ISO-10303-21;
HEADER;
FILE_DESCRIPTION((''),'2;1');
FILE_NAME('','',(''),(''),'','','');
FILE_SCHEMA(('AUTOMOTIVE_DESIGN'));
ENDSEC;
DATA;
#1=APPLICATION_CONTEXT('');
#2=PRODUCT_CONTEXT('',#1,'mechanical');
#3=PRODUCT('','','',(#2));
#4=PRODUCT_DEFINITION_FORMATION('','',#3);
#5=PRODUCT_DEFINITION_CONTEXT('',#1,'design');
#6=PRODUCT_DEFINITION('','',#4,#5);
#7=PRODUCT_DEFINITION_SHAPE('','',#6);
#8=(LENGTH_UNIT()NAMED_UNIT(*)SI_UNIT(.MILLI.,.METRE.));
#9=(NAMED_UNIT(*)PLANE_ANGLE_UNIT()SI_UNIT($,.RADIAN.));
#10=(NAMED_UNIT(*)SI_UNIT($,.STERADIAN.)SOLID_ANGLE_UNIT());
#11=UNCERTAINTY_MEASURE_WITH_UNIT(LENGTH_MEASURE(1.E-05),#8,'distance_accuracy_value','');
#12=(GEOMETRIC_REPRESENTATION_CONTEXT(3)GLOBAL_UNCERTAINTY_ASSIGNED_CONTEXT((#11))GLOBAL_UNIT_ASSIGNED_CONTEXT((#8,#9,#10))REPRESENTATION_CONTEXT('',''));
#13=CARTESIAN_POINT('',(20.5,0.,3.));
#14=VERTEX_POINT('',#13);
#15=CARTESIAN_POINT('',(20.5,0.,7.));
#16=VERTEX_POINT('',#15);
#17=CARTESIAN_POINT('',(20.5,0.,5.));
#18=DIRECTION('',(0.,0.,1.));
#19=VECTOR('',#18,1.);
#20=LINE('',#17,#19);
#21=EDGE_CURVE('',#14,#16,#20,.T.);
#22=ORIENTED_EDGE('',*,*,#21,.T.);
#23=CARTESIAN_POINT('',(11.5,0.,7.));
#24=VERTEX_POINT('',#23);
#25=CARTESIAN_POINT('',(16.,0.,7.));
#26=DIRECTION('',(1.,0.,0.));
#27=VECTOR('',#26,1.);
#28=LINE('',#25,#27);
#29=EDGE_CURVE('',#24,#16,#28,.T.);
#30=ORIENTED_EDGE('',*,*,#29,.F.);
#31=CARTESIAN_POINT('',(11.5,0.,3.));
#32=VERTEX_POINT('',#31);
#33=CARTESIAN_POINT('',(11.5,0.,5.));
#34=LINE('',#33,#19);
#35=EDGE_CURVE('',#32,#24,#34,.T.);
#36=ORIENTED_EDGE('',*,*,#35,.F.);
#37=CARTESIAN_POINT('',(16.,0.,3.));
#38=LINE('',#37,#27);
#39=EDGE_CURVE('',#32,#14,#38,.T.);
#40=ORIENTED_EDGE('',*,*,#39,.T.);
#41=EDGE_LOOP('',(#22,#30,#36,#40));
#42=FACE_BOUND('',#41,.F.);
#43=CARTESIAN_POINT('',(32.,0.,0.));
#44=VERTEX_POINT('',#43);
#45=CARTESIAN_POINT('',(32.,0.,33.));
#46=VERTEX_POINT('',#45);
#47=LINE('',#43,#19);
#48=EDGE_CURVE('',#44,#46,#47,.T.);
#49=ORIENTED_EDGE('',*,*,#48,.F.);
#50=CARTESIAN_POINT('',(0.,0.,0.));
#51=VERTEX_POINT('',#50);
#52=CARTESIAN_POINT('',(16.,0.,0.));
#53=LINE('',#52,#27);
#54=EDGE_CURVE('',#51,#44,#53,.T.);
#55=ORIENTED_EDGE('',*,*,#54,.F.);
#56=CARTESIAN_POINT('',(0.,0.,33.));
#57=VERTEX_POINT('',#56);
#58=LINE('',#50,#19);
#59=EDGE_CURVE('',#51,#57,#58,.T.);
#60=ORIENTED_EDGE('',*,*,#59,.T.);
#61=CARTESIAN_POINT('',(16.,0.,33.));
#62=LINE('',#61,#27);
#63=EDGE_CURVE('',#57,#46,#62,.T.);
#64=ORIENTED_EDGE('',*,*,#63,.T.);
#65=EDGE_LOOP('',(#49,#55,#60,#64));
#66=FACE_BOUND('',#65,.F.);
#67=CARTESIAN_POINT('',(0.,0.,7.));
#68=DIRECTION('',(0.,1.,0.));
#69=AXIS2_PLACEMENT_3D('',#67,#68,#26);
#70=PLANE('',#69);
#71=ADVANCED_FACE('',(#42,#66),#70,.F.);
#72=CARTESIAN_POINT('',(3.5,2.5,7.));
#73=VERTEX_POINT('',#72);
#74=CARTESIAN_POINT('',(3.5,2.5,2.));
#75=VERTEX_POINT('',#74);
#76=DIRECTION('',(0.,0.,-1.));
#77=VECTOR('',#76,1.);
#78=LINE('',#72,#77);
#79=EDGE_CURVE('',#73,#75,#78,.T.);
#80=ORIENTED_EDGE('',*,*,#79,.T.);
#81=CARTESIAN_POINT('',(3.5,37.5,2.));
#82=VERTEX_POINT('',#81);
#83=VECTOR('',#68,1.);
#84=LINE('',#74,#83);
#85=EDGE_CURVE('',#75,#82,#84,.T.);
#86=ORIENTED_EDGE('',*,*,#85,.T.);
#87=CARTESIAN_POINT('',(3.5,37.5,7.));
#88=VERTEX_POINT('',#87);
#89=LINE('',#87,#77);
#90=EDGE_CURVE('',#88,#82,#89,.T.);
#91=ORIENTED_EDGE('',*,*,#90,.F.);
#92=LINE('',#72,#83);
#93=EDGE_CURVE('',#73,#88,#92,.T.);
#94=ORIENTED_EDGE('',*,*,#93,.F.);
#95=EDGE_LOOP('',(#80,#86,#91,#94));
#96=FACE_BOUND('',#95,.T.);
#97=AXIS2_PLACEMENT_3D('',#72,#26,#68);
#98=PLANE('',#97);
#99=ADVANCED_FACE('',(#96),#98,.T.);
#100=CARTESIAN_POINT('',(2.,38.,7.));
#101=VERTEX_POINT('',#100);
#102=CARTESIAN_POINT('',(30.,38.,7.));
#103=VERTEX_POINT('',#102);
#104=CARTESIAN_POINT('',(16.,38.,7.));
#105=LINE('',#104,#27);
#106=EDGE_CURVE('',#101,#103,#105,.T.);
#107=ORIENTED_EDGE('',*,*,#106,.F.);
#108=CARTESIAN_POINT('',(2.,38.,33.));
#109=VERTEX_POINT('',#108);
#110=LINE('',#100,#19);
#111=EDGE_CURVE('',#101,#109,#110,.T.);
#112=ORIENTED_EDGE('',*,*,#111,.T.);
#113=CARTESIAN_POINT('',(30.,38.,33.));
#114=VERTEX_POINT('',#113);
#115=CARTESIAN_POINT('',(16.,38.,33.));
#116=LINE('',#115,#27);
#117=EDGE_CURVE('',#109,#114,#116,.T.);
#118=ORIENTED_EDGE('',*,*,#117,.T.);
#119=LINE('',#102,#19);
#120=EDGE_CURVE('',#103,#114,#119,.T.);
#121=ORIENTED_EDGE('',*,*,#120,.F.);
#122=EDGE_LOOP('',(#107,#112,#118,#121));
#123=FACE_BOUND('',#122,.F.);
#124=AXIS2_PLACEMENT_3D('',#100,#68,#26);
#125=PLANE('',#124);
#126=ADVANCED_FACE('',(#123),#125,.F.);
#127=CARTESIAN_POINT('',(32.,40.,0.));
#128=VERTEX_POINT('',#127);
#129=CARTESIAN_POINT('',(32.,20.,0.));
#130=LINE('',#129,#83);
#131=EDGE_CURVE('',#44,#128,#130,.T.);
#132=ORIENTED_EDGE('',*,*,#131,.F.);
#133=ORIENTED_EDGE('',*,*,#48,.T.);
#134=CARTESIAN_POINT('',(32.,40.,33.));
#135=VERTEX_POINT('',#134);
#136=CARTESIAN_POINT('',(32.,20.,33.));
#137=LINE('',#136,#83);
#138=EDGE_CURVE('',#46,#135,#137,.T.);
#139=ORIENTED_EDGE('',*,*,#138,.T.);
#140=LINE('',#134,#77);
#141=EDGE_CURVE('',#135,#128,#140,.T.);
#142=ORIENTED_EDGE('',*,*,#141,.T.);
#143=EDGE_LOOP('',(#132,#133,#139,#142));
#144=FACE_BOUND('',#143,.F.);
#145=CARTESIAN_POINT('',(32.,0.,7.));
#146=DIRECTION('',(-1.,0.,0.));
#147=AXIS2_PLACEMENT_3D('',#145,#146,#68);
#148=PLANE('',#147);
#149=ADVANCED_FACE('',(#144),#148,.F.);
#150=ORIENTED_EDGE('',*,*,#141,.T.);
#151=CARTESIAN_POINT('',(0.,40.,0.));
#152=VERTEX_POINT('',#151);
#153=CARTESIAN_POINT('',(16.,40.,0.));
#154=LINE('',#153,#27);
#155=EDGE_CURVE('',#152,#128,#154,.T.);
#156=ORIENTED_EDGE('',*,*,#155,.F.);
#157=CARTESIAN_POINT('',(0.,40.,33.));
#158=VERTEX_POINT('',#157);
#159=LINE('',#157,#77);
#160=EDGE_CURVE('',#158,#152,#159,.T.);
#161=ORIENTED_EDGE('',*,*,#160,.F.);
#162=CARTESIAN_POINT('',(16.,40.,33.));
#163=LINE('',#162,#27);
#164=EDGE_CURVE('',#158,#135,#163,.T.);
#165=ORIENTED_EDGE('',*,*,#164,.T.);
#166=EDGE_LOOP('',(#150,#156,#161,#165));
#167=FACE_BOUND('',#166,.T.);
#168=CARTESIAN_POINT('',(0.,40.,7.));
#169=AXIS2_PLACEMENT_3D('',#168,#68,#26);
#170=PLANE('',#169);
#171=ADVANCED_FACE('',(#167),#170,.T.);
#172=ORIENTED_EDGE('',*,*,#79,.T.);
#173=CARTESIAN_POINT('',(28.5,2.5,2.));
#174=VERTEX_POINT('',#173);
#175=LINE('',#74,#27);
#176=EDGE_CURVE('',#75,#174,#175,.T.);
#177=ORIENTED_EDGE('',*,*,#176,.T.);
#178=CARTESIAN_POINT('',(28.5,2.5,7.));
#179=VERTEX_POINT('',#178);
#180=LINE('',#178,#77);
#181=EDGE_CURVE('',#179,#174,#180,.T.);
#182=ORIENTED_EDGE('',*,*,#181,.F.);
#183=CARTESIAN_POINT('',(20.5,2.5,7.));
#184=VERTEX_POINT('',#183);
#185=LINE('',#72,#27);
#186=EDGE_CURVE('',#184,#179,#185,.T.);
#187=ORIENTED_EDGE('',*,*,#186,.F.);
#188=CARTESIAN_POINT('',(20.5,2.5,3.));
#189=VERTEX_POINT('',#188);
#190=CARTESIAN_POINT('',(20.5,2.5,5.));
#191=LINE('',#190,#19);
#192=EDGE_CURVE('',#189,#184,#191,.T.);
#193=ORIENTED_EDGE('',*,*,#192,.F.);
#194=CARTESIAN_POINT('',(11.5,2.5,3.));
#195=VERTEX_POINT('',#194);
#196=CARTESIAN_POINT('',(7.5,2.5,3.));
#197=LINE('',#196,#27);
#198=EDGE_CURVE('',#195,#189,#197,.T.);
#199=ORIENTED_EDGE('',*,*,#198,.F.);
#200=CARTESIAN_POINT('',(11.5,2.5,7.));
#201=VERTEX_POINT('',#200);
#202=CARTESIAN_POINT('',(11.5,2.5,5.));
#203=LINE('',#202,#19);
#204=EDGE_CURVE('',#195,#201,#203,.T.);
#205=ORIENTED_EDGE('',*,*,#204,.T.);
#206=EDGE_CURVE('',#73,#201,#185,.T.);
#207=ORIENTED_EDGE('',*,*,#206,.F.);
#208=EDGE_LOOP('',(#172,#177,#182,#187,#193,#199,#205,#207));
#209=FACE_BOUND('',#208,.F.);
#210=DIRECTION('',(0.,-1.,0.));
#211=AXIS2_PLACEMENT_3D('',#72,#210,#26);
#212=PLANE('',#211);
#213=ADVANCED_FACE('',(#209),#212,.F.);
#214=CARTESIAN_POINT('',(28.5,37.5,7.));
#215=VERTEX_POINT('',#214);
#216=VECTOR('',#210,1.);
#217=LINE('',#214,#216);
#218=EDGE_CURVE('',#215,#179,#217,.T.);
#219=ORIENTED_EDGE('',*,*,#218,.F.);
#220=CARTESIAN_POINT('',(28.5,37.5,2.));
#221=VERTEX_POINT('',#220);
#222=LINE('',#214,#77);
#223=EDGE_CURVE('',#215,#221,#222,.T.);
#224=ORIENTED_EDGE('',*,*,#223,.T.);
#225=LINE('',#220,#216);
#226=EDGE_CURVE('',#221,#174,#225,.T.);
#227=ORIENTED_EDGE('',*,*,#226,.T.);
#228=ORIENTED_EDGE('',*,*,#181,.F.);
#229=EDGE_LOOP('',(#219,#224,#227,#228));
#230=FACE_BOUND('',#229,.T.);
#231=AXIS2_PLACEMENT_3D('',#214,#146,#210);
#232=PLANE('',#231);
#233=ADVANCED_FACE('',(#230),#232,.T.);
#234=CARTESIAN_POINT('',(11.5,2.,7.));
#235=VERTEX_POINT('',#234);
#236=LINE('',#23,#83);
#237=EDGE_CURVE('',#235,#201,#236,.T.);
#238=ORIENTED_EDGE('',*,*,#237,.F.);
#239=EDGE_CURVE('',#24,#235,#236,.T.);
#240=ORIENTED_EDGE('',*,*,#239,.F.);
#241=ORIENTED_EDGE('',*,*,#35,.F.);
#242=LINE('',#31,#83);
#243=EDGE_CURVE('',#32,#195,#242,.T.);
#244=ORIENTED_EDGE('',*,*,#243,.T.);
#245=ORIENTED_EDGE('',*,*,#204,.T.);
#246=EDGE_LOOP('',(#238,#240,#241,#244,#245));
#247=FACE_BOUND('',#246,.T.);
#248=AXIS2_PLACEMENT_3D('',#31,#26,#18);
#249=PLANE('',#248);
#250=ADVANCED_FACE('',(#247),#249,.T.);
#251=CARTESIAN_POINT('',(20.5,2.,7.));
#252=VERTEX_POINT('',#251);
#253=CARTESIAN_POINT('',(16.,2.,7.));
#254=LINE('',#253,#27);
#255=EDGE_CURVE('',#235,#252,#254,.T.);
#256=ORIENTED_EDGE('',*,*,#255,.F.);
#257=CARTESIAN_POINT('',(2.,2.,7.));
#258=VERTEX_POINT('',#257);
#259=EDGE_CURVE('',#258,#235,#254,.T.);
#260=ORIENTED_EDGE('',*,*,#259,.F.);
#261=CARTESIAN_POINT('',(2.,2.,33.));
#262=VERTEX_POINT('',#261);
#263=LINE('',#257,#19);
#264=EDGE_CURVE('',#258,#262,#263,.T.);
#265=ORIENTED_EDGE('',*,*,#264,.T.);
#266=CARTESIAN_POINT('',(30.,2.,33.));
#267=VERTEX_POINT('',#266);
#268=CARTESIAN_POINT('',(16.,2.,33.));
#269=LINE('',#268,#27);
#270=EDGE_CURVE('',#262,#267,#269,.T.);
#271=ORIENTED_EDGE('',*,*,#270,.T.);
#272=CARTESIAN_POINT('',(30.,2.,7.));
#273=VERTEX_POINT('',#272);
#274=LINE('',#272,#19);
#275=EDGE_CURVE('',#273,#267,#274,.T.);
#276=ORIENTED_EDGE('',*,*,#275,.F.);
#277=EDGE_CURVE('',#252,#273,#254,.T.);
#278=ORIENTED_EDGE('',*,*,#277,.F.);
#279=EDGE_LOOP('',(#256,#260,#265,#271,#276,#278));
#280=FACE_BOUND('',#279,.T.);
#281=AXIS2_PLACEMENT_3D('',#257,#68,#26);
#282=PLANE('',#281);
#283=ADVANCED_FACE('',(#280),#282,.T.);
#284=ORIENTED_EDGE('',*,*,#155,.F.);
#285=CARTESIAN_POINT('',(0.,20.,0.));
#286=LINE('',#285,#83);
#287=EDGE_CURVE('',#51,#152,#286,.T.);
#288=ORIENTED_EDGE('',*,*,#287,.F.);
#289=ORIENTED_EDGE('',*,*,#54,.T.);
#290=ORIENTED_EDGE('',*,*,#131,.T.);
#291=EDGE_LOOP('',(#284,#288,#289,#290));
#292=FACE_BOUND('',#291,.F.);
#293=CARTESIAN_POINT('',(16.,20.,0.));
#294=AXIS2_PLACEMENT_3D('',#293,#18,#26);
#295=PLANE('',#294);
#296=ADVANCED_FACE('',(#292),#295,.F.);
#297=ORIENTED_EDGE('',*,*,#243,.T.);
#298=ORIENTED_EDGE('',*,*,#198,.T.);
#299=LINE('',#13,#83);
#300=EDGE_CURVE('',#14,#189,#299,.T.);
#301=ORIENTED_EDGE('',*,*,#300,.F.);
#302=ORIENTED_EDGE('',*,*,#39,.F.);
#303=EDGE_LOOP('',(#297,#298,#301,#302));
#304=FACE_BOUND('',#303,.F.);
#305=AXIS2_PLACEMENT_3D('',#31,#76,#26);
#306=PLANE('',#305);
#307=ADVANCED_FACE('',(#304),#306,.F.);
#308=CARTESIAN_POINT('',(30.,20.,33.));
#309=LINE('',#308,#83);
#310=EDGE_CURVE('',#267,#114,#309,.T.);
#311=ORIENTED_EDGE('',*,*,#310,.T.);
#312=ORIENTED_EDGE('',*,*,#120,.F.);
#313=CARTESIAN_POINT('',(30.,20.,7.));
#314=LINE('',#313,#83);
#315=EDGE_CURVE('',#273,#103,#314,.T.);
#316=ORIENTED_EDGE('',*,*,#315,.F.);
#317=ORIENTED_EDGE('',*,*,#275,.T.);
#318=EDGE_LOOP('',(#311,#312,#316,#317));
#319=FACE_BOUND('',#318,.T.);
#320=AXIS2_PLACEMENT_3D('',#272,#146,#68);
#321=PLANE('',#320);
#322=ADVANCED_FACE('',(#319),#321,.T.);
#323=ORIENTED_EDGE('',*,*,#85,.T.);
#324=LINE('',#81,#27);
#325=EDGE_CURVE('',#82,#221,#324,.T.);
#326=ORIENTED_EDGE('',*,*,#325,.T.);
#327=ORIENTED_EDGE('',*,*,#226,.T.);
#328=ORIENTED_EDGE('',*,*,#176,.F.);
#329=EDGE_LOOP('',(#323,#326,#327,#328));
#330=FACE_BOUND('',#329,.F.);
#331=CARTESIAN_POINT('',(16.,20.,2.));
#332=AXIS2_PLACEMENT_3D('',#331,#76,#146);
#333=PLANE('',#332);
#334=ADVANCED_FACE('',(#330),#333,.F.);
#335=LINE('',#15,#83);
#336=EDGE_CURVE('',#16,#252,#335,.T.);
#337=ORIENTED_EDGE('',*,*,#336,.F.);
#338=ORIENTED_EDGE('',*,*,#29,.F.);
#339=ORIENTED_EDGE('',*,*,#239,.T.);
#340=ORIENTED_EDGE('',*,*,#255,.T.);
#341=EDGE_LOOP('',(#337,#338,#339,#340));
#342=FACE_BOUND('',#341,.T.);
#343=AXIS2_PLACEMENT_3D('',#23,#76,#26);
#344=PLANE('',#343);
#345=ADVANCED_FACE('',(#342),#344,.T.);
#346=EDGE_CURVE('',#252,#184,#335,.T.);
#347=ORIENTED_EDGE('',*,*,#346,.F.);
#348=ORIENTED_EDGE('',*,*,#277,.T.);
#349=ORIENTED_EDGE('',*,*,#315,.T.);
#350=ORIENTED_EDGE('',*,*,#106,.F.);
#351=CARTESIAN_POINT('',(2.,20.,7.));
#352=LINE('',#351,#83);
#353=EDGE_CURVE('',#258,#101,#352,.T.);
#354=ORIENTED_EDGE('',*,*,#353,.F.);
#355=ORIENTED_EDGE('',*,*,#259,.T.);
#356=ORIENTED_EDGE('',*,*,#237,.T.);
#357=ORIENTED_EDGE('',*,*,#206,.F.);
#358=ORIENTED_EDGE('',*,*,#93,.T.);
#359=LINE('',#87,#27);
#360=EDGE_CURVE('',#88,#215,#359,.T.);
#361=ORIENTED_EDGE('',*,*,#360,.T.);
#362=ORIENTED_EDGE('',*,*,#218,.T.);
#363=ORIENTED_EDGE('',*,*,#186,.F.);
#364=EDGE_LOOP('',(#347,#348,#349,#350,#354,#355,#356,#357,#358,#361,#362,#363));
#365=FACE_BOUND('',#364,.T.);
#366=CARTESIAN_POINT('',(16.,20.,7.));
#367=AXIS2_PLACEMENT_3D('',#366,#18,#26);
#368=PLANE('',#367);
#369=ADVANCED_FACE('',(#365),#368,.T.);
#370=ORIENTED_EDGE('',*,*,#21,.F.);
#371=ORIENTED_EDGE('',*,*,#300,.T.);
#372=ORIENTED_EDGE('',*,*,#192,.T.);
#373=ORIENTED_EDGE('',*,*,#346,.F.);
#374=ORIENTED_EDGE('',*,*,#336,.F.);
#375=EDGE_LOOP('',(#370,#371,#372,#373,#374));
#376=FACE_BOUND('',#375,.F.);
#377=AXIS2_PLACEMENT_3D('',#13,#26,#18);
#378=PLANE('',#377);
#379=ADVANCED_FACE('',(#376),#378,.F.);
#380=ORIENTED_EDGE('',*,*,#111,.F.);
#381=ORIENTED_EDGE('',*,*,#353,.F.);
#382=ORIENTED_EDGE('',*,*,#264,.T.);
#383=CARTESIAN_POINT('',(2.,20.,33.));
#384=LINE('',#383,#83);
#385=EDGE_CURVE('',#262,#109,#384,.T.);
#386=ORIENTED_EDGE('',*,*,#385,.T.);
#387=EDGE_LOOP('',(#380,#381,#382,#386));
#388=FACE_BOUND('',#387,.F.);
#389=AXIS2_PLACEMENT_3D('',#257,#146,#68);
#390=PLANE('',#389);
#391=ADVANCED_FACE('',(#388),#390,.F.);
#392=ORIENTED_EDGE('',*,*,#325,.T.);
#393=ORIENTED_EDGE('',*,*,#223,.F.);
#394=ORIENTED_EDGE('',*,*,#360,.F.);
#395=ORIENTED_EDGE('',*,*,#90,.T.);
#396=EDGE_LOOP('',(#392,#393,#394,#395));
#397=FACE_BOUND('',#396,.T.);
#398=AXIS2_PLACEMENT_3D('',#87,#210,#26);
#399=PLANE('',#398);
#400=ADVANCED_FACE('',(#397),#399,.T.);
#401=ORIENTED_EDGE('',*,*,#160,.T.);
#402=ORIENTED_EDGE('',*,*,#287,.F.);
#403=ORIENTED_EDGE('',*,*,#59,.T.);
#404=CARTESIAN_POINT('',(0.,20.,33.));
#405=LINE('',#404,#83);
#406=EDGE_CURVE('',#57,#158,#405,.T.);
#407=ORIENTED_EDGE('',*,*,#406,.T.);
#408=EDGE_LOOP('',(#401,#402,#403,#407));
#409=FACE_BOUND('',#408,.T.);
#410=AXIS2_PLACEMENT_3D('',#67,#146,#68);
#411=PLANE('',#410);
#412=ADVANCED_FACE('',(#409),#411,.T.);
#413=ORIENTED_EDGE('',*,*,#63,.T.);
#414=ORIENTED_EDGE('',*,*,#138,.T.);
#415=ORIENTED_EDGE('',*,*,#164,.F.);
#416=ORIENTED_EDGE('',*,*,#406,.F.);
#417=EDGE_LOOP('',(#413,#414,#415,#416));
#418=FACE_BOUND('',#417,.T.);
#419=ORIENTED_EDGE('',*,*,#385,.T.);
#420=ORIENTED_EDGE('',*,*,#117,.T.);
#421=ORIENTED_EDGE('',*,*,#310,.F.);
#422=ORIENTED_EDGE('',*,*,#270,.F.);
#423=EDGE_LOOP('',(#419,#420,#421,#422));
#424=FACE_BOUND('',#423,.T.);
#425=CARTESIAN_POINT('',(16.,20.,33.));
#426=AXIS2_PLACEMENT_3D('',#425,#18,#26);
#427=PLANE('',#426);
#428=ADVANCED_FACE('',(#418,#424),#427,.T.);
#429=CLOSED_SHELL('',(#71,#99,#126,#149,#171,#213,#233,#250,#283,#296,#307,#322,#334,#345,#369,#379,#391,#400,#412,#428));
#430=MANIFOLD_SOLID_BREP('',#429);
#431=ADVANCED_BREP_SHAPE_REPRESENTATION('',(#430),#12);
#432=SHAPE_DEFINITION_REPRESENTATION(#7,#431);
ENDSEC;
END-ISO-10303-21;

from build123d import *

# Parameters (mm, degrees)
SKETCH_W        = 32
SKETCH_H        = 40
PAD_DEPTH       = 7
SKETCH001_W     = 32
SKETCH001_H     = 40
SKETCH001_W_2   = 28
SKETCH001_H_2   = 36
PAD001_DEPTH    = 26
POCKET_DEPTH    = 5
SKETCH003_W     = 9
SKETCH003_H     = 4
POCKET001_DEPTH = 5


with BuildPart() as part:
    # Sketch → Pad (new body)
    with BuildSketch(Plane.XY):
        with Locations((16, 20)):
            Rectangle(SKETCH_W, SKETCH_H)
    extrude(amount=PAD_DEPTH)

    # Sketch001 → Pad001 (new body)
    with BuildSketch(Plane.XY.offset(7)):
        with Locations((16, 20)):
            Rectangle(SKETCH001_W, SKETCH001_H)
        with Locations((16, 20)):
            Rectangle(SKETCH001_W_2, SKETCH001_H_2, mode=Mode.SUBTRACT)
    extrude(amount=PAD001_DEPTH)

    # Sketch002 → Pocket (cut)
    with BuildSketch(Plane.XY.offset(7)):
        Polygon((3.5, 37.5), (28.5, 37.5), (28.5, 2.5), (16, 2.5), (3.5, 2.5), align=None)
    extrude(amount=-POCKET_DEPTH, mode=Mode.SUBTRACT)

    # Sketch003 → Pocket001 (cut)
    with BuildSketch(Plane.XZ):
        with Locations((16, 5)):
            Rectangle(SKETCH003_W, SKETCH003_H)
    extrude(amount=-POCKET001_DEPTH, mode=Mode.SUBTRACT)


solid = part.part
